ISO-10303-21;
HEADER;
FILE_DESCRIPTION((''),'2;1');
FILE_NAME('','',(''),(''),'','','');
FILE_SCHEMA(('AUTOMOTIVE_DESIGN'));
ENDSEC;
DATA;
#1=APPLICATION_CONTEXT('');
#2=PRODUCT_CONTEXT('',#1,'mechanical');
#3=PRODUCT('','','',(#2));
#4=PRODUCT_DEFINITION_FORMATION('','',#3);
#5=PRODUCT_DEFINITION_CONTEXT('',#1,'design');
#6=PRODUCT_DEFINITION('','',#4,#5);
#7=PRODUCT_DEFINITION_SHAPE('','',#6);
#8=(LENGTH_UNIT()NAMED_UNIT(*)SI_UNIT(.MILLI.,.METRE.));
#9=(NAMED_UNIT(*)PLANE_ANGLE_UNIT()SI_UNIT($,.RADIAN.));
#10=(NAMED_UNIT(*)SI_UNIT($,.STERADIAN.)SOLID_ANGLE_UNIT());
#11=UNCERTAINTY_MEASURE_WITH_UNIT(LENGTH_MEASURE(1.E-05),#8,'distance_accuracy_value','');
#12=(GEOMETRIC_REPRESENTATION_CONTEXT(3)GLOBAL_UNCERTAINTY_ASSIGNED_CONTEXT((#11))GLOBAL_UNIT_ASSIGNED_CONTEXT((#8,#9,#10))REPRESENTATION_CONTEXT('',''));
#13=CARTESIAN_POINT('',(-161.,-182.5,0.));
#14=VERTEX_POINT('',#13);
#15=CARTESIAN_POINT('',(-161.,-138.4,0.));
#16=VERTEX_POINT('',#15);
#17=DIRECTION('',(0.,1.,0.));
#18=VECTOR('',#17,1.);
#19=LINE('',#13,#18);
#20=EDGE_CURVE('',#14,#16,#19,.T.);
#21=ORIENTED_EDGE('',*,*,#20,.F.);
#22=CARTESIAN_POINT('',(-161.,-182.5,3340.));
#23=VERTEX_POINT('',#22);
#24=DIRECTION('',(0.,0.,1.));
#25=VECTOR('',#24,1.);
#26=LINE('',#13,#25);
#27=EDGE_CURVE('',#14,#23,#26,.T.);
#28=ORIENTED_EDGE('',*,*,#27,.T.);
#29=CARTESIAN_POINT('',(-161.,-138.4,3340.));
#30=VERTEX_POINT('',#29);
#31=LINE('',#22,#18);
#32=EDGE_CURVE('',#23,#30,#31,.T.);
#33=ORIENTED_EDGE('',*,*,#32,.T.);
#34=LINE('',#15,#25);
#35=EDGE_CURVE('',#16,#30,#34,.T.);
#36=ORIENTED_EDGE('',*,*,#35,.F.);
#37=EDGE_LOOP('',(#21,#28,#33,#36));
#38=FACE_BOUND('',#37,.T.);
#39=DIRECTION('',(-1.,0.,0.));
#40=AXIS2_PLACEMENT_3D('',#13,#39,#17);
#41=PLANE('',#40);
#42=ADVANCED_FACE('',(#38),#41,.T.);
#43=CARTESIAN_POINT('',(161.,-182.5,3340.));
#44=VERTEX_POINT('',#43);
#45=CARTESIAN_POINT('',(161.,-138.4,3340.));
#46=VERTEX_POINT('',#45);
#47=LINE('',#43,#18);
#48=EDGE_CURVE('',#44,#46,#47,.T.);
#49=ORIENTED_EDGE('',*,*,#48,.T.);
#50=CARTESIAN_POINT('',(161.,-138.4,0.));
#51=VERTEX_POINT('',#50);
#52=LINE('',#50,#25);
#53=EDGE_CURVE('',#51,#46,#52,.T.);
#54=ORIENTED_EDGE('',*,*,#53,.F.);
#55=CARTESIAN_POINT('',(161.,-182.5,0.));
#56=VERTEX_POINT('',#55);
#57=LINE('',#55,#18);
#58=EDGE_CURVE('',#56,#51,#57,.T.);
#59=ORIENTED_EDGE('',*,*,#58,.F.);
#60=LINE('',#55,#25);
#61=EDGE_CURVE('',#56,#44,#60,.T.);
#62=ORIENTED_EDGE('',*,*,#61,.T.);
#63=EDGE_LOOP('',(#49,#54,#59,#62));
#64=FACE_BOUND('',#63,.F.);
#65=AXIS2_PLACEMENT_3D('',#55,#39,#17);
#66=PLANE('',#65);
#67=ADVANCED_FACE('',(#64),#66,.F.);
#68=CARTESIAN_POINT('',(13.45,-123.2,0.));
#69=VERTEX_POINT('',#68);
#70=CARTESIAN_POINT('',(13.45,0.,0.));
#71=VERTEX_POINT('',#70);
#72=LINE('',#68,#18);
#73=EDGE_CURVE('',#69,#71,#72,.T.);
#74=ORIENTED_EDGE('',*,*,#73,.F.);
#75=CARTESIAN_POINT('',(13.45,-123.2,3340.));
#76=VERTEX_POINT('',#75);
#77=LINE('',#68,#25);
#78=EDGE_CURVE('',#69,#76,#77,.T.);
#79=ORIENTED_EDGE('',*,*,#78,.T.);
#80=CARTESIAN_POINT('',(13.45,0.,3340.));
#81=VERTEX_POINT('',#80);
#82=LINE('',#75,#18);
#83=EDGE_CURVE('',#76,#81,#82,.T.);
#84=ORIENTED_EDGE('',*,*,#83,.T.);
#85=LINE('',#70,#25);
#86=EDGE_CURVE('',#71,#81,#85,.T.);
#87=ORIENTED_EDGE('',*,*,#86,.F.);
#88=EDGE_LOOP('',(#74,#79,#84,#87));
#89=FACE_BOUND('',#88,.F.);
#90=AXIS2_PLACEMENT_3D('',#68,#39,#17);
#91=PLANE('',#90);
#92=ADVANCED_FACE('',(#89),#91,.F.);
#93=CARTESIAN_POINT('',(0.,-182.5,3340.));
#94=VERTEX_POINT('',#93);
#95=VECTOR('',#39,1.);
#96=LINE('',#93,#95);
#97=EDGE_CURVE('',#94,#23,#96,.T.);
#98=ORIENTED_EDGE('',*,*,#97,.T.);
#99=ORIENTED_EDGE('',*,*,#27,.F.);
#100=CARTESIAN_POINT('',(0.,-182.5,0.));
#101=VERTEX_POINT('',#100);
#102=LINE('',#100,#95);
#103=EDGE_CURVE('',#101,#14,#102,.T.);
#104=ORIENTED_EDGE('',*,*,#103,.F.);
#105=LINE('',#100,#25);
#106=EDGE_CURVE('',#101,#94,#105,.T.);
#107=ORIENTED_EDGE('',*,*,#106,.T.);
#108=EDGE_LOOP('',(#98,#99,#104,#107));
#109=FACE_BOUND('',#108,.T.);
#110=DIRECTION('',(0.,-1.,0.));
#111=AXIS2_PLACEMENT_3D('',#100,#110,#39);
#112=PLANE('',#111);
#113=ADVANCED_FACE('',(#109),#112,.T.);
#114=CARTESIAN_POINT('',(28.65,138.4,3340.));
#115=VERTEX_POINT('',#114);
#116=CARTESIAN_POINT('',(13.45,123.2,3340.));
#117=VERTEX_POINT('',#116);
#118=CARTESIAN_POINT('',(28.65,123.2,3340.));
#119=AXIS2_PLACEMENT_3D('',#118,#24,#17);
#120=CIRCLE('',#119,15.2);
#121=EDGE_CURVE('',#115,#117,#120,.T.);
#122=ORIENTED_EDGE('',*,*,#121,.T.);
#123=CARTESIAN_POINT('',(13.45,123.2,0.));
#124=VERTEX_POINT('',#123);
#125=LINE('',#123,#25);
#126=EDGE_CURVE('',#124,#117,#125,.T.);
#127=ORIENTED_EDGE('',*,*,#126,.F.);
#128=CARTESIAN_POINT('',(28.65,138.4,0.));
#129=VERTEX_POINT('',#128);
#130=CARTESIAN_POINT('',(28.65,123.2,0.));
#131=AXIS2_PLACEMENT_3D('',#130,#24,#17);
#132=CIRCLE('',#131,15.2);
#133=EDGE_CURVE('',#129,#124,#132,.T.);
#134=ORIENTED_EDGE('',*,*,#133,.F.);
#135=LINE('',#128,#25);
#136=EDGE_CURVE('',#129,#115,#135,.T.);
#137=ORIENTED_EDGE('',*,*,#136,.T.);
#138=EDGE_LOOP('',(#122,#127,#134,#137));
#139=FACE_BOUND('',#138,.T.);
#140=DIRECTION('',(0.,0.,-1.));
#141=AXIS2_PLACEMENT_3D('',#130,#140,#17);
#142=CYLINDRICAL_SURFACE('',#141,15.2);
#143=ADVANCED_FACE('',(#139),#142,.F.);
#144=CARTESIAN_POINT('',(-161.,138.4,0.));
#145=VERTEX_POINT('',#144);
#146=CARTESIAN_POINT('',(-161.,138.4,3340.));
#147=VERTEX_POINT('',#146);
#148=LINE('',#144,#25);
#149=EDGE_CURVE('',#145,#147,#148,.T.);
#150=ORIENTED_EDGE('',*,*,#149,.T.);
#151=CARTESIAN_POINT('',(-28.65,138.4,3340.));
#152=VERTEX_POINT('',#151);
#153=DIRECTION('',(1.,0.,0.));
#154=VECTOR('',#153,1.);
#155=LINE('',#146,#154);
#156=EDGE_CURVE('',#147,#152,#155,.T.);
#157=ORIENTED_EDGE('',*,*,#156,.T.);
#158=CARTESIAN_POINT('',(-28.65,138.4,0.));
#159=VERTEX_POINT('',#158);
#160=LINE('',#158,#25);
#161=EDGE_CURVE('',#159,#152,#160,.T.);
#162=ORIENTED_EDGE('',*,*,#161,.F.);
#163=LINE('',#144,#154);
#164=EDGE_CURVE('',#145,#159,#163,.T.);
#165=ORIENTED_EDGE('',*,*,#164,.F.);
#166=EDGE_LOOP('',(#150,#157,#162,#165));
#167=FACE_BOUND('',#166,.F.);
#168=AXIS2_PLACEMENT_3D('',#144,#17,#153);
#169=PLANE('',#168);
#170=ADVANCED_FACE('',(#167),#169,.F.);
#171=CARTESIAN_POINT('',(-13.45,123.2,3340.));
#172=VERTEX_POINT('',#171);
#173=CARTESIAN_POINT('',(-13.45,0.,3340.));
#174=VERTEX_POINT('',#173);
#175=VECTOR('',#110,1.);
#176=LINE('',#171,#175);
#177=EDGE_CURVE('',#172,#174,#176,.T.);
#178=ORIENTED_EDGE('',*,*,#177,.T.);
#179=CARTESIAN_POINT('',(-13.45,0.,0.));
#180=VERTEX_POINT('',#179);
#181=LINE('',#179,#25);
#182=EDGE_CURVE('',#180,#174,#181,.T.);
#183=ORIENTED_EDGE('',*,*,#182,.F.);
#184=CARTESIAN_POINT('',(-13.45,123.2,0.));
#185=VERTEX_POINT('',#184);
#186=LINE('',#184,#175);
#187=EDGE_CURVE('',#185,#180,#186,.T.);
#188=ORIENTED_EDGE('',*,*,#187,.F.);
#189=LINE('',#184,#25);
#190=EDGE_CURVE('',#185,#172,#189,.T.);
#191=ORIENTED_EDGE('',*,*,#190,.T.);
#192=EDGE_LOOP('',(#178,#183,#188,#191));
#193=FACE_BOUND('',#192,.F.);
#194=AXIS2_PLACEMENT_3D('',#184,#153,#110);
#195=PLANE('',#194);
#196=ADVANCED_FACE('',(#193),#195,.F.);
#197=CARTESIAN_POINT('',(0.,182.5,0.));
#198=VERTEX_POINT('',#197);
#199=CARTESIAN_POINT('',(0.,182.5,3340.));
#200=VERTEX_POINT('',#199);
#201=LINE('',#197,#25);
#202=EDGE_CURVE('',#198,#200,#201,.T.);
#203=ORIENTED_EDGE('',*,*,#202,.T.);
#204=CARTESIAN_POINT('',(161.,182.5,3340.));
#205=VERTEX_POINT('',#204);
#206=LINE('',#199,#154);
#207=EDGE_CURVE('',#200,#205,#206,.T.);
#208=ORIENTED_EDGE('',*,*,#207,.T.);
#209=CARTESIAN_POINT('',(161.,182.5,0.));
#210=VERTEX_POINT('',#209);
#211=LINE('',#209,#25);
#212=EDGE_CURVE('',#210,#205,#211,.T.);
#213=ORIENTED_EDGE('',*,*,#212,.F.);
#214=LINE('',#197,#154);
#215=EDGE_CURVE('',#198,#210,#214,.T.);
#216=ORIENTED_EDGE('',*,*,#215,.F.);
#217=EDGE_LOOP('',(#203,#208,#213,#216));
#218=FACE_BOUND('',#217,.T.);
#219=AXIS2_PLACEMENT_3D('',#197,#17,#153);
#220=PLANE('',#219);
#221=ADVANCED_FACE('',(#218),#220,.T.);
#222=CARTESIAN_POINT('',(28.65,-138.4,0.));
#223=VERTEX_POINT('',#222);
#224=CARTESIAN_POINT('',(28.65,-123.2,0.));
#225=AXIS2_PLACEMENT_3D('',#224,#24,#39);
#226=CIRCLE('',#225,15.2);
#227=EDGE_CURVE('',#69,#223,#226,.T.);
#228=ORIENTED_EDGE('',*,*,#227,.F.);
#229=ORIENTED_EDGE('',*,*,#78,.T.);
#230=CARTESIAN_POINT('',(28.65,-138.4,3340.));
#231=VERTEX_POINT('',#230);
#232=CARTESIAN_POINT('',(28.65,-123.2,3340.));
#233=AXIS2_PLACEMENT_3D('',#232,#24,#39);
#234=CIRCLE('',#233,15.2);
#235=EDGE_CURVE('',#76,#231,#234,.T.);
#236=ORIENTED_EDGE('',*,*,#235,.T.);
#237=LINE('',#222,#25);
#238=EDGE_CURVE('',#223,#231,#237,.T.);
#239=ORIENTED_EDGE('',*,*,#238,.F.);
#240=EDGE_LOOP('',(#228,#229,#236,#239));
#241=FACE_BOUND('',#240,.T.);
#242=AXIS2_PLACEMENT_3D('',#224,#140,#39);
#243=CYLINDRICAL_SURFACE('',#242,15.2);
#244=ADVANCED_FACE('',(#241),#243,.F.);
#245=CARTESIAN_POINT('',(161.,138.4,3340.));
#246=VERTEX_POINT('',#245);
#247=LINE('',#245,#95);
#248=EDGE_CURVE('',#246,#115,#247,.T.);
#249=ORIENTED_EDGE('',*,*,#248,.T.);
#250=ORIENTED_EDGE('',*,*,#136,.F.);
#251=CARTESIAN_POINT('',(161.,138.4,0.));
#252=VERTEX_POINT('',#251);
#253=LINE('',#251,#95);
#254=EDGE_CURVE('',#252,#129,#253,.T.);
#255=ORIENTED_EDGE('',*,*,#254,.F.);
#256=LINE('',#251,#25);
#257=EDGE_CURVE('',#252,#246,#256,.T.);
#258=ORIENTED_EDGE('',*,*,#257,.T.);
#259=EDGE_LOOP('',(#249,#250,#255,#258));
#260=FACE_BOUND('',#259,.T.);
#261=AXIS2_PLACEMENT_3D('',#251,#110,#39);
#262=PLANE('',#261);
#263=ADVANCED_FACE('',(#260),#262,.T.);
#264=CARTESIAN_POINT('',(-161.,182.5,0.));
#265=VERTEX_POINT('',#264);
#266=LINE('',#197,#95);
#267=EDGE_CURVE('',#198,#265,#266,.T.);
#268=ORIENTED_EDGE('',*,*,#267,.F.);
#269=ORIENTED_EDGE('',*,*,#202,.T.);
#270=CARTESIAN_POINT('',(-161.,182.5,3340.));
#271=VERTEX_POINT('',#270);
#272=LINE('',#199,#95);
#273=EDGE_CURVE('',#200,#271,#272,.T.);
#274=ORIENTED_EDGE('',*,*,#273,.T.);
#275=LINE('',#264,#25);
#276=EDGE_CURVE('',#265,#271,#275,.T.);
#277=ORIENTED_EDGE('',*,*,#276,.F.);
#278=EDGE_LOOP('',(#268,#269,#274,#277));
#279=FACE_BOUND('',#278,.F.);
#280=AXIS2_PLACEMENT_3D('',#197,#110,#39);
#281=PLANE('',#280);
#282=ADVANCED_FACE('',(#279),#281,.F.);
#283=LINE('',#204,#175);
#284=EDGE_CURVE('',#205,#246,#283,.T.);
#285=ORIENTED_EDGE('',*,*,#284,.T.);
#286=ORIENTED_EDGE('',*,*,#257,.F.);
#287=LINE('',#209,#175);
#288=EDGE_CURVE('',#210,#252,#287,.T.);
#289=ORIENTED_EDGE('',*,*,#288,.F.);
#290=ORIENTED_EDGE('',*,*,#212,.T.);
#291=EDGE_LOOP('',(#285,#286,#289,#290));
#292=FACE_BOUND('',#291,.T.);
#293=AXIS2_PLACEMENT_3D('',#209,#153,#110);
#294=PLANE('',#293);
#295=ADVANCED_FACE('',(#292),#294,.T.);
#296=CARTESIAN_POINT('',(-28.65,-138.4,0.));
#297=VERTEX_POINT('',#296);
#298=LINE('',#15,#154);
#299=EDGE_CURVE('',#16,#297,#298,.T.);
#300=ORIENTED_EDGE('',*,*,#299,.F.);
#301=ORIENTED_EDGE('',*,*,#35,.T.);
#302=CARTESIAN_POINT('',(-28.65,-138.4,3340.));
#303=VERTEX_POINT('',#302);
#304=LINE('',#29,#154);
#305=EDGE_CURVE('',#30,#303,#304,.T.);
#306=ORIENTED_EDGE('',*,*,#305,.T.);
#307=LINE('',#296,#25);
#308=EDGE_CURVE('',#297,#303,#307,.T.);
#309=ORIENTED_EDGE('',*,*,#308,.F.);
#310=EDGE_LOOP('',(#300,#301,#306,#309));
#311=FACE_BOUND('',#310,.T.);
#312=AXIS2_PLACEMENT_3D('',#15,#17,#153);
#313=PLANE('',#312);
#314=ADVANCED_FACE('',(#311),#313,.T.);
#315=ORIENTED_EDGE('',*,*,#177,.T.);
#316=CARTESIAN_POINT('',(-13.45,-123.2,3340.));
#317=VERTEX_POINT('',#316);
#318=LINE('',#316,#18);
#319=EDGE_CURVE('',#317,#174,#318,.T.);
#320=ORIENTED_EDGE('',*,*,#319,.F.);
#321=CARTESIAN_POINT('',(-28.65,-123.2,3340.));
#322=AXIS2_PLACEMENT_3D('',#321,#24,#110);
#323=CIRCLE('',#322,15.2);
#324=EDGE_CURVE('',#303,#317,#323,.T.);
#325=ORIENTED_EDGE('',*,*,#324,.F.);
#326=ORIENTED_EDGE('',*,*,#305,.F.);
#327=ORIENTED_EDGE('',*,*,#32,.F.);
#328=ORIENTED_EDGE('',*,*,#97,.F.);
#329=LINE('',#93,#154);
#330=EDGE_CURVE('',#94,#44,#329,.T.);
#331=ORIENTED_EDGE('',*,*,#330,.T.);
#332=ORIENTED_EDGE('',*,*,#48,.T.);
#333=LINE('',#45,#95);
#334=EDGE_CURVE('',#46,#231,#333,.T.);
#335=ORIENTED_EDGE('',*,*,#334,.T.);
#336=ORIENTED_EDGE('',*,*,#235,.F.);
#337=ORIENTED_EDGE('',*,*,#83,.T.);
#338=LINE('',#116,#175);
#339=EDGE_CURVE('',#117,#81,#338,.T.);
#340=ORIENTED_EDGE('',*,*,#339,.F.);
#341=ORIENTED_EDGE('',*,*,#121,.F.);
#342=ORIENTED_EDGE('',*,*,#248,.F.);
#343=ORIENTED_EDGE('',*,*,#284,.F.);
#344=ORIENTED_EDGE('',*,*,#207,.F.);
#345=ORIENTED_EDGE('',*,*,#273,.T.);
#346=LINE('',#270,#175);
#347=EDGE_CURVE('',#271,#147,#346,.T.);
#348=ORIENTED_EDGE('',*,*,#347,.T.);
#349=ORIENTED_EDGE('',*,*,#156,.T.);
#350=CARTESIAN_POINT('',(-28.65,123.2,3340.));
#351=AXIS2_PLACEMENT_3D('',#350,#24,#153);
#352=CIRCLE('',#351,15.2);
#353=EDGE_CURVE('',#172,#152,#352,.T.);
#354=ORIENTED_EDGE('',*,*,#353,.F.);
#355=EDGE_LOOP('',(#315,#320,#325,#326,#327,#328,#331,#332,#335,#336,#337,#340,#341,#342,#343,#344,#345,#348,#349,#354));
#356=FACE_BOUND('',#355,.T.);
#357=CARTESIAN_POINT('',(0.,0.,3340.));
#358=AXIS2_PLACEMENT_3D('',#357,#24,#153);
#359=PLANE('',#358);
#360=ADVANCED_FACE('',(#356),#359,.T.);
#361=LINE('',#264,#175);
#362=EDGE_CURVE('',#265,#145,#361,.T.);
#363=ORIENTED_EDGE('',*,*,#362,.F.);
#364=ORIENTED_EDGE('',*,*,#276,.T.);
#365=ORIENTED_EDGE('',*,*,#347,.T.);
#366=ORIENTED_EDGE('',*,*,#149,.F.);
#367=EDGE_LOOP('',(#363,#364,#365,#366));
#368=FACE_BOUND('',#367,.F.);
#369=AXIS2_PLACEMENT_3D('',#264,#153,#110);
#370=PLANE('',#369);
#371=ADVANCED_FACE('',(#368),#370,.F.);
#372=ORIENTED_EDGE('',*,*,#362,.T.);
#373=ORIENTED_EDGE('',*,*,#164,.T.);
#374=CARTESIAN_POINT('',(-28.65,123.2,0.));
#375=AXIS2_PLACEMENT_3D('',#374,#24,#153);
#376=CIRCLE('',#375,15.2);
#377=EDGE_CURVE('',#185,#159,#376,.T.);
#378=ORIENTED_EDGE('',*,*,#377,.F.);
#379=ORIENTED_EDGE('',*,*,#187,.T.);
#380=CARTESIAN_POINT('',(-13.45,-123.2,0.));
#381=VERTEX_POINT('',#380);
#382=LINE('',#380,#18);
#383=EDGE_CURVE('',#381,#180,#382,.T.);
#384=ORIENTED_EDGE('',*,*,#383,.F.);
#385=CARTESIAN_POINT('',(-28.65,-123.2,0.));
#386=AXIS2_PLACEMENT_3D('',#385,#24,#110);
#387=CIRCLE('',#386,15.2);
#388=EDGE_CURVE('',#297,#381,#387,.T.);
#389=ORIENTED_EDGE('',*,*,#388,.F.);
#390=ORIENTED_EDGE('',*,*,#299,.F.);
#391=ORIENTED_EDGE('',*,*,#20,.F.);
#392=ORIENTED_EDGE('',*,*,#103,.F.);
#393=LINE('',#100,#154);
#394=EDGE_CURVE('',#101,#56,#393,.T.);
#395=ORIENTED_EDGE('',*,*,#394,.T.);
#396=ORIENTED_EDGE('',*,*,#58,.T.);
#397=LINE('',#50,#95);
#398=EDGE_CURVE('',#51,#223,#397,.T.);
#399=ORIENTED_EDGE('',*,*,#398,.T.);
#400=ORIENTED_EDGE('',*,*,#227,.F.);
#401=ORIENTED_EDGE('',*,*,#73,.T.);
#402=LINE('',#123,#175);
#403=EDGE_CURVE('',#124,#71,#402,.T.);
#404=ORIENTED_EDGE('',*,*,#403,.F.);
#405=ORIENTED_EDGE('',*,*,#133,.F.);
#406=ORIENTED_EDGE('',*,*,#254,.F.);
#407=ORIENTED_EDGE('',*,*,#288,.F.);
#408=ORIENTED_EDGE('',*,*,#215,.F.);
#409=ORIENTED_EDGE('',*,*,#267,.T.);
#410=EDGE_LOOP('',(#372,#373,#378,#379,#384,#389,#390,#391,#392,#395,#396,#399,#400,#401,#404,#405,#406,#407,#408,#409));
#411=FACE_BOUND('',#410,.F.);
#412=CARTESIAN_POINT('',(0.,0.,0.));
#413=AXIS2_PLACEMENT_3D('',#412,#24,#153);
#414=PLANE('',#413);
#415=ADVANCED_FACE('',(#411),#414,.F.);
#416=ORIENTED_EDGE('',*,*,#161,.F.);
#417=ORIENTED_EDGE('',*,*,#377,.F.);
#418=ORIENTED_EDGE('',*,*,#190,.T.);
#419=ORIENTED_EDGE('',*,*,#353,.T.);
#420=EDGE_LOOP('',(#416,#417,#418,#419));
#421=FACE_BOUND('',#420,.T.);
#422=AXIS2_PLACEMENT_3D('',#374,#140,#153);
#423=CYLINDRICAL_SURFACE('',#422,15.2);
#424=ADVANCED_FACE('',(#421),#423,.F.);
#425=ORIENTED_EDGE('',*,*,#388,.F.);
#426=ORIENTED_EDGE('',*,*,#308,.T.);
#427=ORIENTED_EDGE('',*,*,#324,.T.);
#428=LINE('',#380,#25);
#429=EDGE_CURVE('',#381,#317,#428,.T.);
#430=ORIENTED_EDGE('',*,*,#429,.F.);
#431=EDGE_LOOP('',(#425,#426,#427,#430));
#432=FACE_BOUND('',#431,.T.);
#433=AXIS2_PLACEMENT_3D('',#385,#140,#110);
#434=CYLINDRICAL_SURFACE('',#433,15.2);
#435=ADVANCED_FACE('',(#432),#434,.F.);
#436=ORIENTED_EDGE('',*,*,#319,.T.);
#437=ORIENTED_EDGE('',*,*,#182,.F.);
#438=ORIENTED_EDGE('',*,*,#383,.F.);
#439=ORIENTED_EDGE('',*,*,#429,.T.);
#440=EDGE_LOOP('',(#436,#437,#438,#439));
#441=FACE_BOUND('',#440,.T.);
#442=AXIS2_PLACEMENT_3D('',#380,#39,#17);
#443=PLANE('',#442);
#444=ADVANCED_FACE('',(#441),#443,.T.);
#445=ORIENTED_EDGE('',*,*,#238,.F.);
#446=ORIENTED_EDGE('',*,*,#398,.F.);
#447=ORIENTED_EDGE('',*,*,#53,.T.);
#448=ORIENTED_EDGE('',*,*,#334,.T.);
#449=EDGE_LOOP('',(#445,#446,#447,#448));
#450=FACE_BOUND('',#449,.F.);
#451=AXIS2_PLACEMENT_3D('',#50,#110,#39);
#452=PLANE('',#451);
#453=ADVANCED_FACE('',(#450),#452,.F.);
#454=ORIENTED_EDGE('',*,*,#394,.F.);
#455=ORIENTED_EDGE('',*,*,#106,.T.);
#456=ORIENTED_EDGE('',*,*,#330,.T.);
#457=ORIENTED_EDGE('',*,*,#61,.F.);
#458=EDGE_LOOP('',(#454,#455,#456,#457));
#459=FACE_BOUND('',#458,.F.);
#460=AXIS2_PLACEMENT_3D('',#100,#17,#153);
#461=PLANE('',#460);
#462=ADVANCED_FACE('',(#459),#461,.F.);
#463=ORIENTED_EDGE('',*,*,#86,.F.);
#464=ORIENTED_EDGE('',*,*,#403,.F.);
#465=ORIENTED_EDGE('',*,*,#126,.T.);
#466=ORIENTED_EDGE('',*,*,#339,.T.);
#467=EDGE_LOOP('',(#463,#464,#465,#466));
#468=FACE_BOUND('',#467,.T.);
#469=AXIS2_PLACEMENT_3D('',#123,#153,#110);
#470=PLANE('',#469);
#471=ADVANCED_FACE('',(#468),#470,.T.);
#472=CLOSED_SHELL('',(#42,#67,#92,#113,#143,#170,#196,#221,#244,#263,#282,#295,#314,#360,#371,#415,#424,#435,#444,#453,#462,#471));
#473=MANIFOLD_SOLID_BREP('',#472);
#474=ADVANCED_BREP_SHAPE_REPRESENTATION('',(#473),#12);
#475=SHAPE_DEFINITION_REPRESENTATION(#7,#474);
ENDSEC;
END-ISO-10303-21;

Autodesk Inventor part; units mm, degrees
ref_plane "YZ Plane" through (0, 0, 0) normal (1, 0, 0) x (0, 1, 0)
ref_plane "Start plane" through (0, 0, 0) normal (0, 0, 1) x (1, 0, 0)
ref_plane "End plane" through (0, 0, 3340) normal (0, 0, 1) x (1, 0, 0)
sketch "Sketch" plane through (0, 0, 0) normal (0, 0, 1) x (1, 0, 0)
  line L0 (-161, -182.5) -> (-161, -138.4)
  line L1 (-161, -138.4) -> (-28.65, -138.4)
  line L2 (-13.45, -123.2) -> (-13.45, 0)
  line L3 (-13.45, 0) -> (0, 0) construction
  line L4 (0, 0) -> (0, -182.5) construction
  line L5 (0, -182.5) -> (-161, -182.5)
  line L6 (-60, 0) -> (80, 0) construction
  line L7 (0, -60) -> (0, 80) construction
  line L8 (161, -182.5) -> (161, -138.4)
  line L9 (161, -138.4) -> (28.65, -138.4)
  line L10 (13.45, -123.2) -> (13.45, 0)
  line L11 (13.45, 0) -> (0, 0) construction
  line L12 (0, -182.5) -> (161, -182.5)
  line L13 (-161, 182.5) -> (-161, 138.4)
  line L14 (-161, 138.4) -> (-28.65, 138.4)
  line L15 (-13.45, 123.2) -> (-13.45, 0)
  line L16 (0, 182.5) -> (-161, 182.5)
  line L17 (161, 182.5) -> (161, 138.4)
  line L18 (161, 138.4) -> (28.65, 138.4)
  line L19 (0, 182.5) -> (161, 182.5)
  line L20 (13.45, 123.2) -> (13.45, 0)
  arc A0 (-13.45, 123.2) -> (-28.65, 138.4) centre (-28.65, 123.2) ccw
  arc A1 (28.65, 138.4) -> (13.45, 123.2) centre (28.65, 123.2) ccw
  arc A2 (13.45, -123.2) -> (28.65, -138.4) centre (28.65, -123.2) ccw
  arc A3 (-28.65, -138.4) -> (-13.45, -123.2) centre (-28.65, -123.2) ccw
  line L21 (0, 108) -> (0, -88) construction
  line L22 (-88, 0) -> (108, 0) construction
  point P0 (-13.45, -138.4)
  point P1 (13.45, -138.4)
  point P2 (-13.45, 138.4)
  point P3 (13.45, 138.4)
  dimension "d1" = 182.5
  dimension "d2" = 44.1
  dimension "d3" = 161
  dimension "d4" = 13.45
  dimension "d10" = 15.2
extrude "Body" add sketch "Sketch" along normal up to surface (3340 mm away) from surface at 0
sketch "Sketch4" plane through (0, 0, 0) normal (0, 0, 1) x (1, 0, 0)
  line L0 (0, 0) -> (10, 0)
ref_plane "Work Plane3" through (0, 0, 0) normal (0, -1, 0) x (1, 0, 0)
sketch "Sketch5" plane through (0, 0, 0) normal (0, -1, 0) x (1, 0, 0)
  line L0 (-2, 0) -> (12, 0) projected
  line L1 (-2, 3340) -> (12, 3340) projected
  dimension "d14" = 3340
equation "\"d1\" = 0.5 * G_H"
equation "\"d2\" = G_T1"
equation "\"d3\" = 0.5 * G_W"
equation "\"d4\" = 0.5 * G_T"
equation "\"d10\" = G_IR"
equation "\"d5\" = G_L"
equation "\"G_W\" = 322"
equation "\"G_H\" = 365"
equation "\"G_T\" = 26.9"
equation "\"G_T1\" = 44.1"
equation "\"G_IR\" = 15.2"
equation "\"G_L\" = d14"
equation "\"G_OFFSET_START\" = 0"
equation "\"G_OFFSET_END\" = 0"
properties part number "AS 3679 - 310 UC - 283 - 3340" material "Steel, Mild"
